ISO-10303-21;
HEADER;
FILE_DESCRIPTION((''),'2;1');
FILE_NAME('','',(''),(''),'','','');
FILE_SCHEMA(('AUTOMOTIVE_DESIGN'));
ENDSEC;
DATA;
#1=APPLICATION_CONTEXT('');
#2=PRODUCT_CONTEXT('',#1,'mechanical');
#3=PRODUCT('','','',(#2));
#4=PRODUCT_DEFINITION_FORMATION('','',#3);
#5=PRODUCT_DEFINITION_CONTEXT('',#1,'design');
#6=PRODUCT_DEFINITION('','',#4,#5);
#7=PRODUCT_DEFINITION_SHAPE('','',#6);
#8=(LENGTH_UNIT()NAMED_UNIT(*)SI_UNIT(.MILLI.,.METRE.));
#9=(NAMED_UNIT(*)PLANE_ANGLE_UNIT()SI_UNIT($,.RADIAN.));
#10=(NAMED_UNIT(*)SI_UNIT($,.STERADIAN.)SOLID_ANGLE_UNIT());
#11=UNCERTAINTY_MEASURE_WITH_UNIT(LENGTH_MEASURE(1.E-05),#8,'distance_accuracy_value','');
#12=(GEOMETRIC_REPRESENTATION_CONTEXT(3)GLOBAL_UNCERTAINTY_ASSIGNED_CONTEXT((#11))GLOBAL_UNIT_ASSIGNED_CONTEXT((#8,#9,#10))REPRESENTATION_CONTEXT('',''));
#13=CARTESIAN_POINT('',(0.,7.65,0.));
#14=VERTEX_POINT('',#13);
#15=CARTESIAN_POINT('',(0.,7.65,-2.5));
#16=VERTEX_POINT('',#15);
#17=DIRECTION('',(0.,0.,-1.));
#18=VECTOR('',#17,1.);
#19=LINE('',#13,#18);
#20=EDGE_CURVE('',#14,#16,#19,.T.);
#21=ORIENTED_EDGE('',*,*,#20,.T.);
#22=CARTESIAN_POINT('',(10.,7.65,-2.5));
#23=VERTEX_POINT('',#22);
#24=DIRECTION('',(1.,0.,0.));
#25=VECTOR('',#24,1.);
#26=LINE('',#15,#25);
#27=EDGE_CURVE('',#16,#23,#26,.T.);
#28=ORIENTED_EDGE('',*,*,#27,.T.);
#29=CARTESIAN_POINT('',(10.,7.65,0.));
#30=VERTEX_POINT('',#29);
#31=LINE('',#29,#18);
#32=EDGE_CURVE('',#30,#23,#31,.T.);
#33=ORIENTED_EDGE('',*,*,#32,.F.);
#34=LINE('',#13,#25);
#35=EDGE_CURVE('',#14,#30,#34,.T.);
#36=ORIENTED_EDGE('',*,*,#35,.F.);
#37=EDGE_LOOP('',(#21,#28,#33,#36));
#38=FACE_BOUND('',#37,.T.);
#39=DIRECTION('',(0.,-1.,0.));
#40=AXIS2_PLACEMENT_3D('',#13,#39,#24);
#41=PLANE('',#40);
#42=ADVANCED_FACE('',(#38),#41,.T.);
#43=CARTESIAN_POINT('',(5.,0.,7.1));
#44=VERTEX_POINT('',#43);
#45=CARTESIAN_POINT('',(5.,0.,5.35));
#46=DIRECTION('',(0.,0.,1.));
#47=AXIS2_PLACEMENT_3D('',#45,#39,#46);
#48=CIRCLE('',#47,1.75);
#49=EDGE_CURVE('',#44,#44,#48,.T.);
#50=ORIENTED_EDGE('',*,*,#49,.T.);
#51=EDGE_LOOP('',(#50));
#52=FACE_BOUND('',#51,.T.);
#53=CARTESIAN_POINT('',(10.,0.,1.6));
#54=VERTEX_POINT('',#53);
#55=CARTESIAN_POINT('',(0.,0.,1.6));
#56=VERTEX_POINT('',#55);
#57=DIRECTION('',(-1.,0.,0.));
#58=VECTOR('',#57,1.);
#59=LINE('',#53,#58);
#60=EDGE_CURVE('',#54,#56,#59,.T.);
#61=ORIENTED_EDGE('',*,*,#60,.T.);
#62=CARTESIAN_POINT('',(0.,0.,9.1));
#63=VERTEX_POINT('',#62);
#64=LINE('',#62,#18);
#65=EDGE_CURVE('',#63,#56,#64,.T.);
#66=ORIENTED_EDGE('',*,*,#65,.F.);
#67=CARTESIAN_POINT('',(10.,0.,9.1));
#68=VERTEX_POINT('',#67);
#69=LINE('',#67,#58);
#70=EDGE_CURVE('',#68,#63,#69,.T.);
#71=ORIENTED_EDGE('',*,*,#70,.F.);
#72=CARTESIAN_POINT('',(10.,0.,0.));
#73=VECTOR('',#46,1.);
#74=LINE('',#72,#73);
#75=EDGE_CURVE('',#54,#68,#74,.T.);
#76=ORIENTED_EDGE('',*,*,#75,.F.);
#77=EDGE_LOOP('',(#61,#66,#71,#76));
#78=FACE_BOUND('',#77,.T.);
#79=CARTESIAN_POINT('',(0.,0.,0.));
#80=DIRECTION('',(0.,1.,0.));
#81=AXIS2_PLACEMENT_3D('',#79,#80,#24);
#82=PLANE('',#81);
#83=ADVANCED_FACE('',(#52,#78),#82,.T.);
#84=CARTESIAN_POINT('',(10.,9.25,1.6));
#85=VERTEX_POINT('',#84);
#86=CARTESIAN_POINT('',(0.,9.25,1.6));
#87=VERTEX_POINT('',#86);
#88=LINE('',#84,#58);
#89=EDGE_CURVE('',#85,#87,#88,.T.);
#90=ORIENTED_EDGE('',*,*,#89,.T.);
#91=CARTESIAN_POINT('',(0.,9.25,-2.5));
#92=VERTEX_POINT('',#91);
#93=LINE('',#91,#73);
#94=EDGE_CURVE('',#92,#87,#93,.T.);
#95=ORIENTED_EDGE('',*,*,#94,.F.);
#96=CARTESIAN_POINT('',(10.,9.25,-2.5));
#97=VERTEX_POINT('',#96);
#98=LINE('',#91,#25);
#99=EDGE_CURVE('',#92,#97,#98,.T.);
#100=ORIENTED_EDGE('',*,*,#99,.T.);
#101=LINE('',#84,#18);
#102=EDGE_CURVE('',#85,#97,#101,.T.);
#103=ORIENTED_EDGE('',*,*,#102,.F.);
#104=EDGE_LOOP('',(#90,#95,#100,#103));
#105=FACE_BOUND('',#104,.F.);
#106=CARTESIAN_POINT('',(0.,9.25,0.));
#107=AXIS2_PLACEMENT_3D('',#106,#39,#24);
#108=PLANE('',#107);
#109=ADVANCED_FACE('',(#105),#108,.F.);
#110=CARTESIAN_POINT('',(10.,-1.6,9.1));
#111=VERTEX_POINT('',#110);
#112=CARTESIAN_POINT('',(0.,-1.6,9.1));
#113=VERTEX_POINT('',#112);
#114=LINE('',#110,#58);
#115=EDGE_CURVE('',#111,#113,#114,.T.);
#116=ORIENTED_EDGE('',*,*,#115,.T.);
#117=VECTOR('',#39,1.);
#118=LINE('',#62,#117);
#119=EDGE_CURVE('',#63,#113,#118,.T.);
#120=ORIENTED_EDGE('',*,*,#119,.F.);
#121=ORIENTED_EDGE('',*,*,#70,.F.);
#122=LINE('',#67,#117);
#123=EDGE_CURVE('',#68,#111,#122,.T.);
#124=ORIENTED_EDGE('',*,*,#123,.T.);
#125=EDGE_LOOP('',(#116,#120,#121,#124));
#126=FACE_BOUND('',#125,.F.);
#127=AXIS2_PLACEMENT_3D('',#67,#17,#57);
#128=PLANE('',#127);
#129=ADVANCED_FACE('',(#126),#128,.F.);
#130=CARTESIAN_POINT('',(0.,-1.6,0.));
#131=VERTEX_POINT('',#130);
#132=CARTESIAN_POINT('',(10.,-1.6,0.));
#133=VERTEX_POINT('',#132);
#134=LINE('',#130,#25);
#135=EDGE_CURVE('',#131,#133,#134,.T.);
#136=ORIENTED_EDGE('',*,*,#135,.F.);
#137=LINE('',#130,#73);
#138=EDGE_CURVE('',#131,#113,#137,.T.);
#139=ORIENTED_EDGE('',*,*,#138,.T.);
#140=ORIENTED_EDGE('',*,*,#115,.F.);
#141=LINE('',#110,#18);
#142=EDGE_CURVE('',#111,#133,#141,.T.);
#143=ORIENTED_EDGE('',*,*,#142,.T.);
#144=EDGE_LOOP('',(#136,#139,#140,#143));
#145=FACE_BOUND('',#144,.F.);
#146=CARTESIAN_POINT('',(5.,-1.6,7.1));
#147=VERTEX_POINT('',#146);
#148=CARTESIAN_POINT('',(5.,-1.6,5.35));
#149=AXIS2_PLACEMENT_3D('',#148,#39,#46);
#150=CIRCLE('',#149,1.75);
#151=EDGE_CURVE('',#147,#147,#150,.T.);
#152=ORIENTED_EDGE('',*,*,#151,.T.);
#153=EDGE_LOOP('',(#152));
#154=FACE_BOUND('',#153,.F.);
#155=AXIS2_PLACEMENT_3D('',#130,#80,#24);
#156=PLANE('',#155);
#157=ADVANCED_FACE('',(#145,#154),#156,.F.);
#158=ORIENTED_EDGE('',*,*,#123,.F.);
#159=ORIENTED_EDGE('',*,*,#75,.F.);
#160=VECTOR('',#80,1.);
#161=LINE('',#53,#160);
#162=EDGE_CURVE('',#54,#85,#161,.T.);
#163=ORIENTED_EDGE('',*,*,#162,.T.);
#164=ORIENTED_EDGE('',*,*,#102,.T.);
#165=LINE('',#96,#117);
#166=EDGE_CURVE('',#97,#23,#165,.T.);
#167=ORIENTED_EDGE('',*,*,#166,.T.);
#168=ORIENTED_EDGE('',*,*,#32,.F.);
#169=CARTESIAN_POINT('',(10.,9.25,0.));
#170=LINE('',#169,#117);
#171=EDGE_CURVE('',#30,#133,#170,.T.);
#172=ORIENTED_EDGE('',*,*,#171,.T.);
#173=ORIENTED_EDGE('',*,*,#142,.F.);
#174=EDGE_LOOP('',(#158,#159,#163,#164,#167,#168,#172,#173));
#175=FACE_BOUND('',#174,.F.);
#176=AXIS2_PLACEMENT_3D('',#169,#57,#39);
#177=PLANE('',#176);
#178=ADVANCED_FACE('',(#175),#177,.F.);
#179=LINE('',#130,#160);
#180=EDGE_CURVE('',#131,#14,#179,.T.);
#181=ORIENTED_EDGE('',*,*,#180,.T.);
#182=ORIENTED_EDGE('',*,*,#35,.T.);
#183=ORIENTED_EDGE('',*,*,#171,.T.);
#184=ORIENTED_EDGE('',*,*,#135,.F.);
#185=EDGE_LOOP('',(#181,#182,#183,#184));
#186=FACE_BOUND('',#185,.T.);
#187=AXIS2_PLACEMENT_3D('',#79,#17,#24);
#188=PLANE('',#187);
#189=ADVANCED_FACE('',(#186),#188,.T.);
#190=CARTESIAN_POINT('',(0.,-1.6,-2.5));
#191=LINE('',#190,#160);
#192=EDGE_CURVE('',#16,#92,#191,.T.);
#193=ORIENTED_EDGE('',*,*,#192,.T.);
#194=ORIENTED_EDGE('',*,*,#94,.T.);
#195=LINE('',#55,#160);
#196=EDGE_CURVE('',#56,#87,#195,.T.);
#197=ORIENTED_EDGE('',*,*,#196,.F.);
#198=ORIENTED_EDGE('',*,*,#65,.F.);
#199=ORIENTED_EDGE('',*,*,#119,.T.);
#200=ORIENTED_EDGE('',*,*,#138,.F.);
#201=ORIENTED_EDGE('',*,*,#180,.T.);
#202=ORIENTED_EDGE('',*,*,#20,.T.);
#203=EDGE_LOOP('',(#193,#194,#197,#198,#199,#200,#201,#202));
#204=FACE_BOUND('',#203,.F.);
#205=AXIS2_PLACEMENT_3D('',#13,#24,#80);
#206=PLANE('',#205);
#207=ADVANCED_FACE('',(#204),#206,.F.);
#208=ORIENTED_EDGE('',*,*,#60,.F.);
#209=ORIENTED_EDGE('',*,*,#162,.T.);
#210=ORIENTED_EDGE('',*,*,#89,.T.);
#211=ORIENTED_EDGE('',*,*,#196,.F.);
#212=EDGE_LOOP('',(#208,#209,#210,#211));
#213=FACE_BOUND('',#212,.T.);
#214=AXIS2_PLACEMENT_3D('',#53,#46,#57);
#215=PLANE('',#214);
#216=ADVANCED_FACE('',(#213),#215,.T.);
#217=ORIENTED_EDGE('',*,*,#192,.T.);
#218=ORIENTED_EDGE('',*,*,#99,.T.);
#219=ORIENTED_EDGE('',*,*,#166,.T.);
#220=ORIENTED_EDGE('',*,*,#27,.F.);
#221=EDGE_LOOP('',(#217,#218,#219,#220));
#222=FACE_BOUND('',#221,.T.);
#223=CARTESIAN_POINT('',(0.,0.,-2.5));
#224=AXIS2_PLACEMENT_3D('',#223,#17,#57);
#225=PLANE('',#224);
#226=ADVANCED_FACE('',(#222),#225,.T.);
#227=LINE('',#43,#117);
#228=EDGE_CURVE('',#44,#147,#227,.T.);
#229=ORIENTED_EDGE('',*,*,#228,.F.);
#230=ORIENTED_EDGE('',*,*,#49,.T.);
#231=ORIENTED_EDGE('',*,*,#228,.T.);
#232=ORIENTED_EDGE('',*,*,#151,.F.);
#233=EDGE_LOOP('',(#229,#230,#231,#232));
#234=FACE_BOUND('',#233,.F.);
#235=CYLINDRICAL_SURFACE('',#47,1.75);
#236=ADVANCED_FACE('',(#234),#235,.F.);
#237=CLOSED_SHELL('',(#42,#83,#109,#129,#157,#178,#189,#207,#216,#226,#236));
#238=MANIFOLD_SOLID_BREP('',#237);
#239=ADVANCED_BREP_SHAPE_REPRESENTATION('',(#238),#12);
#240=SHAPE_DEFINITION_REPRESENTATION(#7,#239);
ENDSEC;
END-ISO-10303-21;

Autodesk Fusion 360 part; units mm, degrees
sketch "Sketch1" plane through (0, 0, 0) normal (0, 1, 0) x (1, 0, 0)
  line L0 (0, 0) -> (10, 0)
  line L1 (10, 0) -> (10, -9.1)
  line L2 (10, -9.1) -> (0, -9.1)
  line L3 (0, -9.1) -> (0, 0)
  line L4 (0, 0) -> (10, 0)
  line L5 (10, 0) -> (10, -1.6)
  line L6 (10, -1.6) -> (0, -1.6)
  line L7 (0, -1.6) -> (0, 0)
  point P0 (5, -5.35)
  dimension "d1" = 1.6
  dimension "d2" = 7.5
  dimension "d3" = 10
  dimension "d10" = 5
  dimension "d11" = 3.75
extrude "Extrude1" add sketch "Sketch1" against normal blind 1.6
extrude "Extrude2" add sketch "Sketch1" along normal blind 9.25 contours L0 L1 L3 L4 L5 L6 L7
sketch "Sketch2" plane through (0, 0, 0) normal (0, 0, -1) x (-1, 0, 0)
  line L0 (-10, 9.25) -> (-10, -1.6)
  line L1 (-10, -1.6) -> (0, -1.6)
  line L2 (0, -1.6) -> (0, 9.25)
  line L3 (0, 9.25) -> (-10, 9.25)
  line L4 (-10, 9.25) -> (0, 9.25)
  line L5 (0, 9.25) -> (0, 7.65)
  line L6 (0, 7.65) -> (-10, 7.65)
  line L7 (-10, 7.65) -> (-10, 9.25)
  dimension "d15" = 1.6
extrude "Extrude3" add sketch "Sketch2" along normal blind 2.5 contours L0 L2 L3 L4 L5 L6 L7
hole "Hole1" at (5, 0, 5.35) direction (0, -1, 0) diameter 3.5 depth 3 tip angle 118
equation "d10 = d3 / 2"
equation "d11 = d2 / 2"
